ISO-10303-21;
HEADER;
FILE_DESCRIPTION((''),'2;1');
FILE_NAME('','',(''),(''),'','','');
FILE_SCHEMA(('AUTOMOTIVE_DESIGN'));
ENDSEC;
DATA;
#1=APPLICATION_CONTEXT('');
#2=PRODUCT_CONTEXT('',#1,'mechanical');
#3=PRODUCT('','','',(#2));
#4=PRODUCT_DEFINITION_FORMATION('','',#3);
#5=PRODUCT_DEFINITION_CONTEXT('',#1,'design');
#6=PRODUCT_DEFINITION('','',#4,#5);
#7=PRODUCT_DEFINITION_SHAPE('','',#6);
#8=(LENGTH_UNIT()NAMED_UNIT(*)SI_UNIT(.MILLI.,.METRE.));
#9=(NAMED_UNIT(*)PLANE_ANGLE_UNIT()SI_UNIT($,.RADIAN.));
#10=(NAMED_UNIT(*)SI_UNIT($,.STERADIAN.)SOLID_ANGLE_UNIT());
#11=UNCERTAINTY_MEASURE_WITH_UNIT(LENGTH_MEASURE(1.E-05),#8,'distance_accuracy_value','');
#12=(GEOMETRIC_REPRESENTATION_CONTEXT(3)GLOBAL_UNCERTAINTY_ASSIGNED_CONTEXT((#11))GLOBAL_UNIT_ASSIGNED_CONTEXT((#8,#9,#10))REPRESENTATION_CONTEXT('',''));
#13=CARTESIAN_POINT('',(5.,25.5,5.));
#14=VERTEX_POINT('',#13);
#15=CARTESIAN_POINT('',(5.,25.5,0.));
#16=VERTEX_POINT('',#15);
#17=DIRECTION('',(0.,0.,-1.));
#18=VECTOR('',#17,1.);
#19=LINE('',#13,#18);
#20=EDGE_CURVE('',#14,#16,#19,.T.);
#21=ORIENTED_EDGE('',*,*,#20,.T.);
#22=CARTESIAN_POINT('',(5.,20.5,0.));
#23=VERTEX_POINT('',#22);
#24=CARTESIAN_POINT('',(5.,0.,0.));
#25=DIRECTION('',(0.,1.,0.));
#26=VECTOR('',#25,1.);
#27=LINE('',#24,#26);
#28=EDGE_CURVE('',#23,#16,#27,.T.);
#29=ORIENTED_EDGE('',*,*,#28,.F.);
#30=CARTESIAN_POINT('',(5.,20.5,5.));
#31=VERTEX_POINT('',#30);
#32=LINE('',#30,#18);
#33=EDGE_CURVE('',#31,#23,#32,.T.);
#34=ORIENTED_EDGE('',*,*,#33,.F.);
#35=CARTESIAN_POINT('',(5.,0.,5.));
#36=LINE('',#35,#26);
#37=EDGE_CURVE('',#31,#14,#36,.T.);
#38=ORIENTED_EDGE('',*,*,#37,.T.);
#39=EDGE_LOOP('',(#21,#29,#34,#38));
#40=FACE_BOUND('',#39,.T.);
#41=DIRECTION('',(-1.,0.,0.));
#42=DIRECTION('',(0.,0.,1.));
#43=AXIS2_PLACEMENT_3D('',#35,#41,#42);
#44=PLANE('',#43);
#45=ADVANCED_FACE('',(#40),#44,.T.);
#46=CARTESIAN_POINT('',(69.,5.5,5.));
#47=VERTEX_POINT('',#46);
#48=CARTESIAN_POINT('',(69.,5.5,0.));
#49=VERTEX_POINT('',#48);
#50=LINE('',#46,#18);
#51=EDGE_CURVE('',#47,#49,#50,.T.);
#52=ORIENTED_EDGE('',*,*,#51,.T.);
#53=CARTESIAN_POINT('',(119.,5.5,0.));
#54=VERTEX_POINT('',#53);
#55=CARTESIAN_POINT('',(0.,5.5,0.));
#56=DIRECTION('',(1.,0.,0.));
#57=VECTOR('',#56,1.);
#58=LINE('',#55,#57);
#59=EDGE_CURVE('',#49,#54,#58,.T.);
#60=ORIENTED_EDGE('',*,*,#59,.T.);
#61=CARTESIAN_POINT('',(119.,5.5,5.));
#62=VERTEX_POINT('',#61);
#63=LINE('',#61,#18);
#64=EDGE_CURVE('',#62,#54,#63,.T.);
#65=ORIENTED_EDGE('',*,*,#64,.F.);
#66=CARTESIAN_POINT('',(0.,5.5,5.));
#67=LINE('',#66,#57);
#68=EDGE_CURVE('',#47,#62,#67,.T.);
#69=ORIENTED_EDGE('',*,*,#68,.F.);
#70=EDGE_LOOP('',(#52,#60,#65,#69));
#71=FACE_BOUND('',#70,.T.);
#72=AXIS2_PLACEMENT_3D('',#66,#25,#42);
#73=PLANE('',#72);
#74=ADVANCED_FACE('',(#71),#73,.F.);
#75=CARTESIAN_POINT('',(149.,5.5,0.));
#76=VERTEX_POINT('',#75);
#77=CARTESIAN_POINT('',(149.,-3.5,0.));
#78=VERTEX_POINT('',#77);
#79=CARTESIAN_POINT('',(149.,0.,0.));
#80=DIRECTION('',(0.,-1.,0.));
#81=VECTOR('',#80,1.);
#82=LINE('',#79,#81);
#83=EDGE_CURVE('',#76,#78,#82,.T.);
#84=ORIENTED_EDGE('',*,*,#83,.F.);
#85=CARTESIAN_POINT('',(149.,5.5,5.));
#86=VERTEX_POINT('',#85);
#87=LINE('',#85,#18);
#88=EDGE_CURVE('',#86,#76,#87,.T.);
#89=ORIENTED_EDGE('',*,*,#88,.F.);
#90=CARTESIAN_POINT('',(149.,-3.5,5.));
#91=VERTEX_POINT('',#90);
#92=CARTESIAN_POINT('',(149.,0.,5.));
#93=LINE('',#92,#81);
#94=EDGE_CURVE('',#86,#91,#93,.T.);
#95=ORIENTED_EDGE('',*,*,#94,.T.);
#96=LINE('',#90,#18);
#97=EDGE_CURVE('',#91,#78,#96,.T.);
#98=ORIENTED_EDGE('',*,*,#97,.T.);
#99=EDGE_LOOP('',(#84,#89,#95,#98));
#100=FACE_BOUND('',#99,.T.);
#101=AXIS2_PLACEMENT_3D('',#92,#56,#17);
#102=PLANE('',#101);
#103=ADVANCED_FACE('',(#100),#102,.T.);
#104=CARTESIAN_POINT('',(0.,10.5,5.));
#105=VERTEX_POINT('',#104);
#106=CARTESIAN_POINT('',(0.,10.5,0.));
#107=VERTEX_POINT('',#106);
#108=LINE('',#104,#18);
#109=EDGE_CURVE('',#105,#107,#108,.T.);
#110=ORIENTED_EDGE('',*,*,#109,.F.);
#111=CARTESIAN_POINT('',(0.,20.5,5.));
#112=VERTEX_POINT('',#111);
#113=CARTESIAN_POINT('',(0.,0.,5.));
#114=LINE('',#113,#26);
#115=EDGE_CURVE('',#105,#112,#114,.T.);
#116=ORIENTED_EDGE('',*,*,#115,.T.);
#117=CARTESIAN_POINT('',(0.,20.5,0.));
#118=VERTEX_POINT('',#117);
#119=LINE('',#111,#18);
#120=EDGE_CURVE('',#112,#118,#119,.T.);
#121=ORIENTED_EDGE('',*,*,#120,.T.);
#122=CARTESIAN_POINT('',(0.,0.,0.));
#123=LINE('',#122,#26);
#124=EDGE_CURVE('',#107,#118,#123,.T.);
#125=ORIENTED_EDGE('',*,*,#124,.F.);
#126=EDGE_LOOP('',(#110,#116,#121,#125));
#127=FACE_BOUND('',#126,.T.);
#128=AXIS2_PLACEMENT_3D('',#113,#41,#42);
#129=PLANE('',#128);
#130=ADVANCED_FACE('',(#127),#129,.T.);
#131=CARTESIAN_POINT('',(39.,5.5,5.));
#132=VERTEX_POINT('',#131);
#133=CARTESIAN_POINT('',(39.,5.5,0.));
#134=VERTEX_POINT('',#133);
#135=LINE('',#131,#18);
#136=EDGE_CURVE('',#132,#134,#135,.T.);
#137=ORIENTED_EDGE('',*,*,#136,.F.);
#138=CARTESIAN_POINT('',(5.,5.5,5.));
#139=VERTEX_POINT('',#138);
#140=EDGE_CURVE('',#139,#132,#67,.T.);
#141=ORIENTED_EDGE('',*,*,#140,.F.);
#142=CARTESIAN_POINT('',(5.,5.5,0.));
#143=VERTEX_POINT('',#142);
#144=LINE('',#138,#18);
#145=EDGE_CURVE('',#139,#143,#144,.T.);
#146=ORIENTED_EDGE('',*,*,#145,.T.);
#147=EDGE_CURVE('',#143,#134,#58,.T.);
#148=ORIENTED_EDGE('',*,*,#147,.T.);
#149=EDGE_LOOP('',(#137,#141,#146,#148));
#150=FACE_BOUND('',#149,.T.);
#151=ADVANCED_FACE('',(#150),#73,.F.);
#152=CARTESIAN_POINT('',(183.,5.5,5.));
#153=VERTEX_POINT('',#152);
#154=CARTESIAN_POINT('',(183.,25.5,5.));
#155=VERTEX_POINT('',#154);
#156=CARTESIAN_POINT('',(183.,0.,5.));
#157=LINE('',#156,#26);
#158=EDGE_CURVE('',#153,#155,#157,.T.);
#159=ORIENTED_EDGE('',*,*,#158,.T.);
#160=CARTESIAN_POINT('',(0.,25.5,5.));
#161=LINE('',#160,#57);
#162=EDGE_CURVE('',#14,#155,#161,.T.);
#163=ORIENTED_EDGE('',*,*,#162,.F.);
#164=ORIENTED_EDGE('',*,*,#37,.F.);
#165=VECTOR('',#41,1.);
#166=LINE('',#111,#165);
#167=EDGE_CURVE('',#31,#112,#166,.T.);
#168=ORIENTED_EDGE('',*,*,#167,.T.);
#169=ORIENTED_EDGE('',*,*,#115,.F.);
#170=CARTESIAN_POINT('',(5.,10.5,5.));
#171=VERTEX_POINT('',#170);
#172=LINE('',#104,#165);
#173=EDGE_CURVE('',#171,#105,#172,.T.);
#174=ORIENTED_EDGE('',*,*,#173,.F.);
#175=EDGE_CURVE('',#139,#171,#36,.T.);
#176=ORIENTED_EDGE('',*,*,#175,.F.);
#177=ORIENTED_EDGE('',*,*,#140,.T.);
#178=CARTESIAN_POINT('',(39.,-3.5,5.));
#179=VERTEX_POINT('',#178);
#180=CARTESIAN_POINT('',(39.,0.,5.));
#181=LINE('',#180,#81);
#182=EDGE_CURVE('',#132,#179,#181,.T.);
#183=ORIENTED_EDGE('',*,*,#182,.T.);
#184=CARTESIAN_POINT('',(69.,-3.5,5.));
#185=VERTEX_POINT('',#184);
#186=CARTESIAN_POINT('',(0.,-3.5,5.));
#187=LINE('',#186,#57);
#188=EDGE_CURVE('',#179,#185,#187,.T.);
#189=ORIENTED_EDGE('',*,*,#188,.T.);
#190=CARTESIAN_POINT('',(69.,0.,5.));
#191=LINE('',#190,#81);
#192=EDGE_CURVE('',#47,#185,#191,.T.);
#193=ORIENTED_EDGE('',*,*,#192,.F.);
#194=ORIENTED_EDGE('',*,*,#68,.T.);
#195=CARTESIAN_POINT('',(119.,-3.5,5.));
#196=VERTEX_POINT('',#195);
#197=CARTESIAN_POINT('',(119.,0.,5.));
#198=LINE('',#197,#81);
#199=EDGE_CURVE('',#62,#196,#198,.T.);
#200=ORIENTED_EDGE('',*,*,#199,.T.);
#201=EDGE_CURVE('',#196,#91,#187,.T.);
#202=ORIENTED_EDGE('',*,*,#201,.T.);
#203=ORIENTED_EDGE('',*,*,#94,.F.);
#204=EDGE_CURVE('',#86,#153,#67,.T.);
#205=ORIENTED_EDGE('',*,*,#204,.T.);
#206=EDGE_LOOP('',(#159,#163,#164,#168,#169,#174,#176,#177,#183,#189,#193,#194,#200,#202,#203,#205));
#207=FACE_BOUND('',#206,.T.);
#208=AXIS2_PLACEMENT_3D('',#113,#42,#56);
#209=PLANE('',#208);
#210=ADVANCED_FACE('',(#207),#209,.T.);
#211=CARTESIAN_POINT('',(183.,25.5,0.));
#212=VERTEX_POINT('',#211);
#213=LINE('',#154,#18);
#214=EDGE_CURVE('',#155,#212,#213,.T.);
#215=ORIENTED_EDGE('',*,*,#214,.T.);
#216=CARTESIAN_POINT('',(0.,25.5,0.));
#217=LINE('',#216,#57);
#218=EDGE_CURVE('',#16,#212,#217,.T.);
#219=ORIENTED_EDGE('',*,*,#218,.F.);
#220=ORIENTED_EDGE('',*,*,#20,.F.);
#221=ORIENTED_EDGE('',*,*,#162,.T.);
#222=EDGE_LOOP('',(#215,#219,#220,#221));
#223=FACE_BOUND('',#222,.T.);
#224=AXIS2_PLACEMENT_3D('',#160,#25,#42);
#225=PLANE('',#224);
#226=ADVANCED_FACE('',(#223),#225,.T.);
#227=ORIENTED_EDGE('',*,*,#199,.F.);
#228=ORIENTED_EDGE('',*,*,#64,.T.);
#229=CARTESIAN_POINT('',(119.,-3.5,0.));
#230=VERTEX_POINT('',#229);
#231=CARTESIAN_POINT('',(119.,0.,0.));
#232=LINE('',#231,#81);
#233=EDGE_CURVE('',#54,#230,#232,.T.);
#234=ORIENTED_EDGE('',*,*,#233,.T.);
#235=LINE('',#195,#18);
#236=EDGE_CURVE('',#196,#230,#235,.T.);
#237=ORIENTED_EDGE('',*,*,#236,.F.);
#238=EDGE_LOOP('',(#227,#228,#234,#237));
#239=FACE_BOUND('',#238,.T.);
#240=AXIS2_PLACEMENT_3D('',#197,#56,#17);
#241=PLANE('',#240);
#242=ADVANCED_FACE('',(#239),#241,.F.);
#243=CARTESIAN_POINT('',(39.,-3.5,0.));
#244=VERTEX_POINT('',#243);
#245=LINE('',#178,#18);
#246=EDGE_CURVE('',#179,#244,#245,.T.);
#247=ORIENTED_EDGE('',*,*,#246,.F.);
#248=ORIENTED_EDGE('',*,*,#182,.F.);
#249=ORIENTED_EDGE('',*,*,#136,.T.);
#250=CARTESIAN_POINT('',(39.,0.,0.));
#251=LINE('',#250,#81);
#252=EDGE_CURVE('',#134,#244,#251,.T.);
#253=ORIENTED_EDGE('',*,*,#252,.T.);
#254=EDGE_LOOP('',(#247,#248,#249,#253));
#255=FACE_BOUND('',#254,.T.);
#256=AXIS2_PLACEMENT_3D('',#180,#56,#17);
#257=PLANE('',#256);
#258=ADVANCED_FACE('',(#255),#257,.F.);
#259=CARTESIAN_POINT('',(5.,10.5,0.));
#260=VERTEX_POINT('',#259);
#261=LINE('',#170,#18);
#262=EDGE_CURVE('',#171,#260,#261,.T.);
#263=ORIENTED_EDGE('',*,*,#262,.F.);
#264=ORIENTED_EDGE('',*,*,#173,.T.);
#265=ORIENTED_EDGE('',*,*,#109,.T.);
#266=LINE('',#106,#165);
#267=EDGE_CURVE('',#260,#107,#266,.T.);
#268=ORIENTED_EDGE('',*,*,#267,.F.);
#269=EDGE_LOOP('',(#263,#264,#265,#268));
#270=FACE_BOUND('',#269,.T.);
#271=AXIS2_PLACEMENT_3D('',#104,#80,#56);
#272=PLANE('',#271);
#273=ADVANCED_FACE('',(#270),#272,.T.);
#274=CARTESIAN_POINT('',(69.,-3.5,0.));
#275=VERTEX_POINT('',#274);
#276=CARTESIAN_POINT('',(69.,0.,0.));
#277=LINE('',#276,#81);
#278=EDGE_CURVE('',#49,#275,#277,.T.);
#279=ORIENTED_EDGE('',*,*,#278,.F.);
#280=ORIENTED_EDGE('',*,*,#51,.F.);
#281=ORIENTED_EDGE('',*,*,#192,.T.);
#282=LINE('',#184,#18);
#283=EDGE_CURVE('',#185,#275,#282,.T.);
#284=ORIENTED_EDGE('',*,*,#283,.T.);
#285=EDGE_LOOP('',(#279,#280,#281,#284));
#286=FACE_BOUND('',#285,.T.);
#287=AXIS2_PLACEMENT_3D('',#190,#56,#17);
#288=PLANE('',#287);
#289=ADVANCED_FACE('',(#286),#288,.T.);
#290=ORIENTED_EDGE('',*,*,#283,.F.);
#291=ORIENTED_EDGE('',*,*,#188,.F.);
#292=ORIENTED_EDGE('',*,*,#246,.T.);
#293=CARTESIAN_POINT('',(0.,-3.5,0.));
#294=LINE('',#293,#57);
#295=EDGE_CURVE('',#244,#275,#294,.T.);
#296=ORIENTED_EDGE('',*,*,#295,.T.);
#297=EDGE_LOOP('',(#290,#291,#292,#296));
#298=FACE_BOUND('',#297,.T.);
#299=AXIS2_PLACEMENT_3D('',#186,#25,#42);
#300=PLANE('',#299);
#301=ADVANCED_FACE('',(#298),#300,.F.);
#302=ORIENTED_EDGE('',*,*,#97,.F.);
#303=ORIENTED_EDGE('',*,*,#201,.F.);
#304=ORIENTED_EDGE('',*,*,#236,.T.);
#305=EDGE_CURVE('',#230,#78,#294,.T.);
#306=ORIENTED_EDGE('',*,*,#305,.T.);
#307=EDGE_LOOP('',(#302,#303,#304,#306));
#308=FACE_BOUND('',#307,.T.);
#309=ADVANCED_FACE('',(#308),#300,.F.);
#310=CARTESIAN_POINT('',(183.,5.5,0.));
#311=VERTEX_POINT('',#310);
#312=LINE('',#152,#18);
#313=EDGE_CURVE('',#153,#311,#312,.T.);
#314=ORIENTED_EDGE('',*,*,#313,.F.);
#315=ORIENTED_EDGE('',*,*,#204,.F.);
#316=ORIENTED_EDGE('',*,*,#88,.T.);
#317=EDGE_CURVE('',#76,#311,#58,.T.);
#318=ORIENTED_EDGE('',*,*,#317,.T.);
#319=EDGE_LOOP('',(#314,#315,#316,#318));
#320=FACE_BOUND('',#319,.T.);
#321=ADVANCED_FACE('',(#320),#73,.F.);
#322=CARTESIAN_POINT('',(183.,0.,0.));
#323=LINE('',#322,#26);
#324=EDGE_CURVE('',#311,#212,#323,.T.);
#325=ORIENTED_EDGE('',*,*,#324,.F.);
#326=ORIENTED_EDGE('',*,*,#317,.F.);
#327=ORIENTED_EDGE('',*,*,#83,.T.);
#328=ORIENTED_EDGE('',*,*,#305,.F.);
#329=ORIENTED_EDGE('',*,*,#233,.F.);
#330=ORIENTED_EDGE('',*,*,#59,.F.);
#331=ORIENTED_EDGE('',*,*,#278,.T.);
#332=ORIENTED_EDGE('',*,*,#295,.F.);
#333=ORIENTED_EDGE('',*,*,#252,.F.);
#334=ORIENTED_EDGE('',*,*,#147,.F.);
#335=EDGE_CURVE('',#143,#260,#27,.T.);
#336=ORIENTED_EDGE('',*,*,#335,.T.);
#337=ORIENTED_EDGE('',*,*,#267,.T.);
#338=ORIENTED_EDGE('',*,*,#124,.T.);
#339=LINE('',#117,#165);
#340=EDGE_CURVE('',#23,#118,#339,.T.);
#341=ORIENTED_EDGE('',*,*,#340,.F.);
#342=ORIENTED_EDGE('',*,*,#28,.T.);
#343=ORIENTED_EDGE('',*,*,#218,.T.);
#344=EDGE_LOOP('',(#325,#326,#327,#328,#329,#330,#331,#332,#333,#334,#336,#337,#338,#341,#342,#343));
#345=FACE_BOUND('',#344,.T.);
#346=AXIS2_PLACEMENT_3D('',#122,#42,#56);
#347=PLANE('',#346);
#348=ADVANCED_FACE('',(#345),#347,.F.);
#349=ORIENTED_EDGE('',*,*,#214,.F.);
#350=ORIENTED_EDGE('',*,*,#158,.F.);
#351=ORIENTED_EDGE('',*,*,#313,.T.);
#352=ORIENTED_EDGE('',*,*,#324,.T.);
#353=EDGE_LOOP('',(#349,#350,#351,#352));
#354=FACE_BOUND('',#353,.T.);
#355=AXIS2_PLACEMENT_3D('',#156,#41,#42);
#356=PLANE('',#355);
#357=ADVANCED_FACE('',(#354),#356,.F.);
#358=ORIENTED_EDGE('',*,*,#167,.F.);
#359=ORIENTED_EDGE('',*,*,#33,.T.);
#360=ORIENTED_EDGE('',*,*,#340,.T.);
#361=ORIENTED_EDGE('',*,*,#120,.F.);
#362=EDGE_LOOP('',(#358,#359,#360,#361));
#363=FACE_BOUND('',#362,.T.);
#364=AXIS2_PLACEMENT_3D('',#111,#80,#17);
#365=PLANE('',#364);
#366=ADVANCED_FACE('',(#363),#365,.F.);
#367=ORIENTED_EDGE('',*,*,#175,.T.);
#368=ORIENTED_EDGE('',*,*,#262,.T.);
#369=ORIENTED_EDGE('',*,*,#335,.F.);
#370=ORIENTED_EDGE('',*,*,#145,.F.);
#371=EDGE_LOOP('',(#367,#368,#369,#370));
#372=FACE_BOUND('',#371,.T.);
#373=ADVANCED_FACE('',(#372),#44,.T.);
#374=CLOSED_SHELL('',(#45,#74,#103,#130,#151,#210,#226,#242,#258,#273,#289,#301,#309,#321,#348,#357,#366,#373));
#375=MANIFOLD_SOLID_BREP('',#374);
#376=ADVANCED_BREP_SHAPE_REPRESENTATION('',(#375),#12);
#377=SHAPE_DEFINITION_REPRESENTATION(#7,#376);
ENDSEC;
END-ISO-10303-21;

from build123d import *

# Parameters (mm, degrees)
BOSS_EXTRUDE1_DEPTH = 5


with BuildPart() as part:
    # Sketch1 → Boss-Extrude1 (new body)
    with BuildSketch(Plane.XY):
        Polygon((5, 5.5), (5, 10.5), (0, 10.5), (0, 20.5), (5, 20.5), (5, 25.5), (183, 25.5), (183, 5.5), (149, 5.5), (149, -3.5), (119, -3.5), (119, 5.5), (69, 5.5), (69, -3.5), (39, -3.5), (39, 5.5), align=None)
    extrude(amount=BOSS_EXTRUDE1_DEPTH)


solid = part.part
